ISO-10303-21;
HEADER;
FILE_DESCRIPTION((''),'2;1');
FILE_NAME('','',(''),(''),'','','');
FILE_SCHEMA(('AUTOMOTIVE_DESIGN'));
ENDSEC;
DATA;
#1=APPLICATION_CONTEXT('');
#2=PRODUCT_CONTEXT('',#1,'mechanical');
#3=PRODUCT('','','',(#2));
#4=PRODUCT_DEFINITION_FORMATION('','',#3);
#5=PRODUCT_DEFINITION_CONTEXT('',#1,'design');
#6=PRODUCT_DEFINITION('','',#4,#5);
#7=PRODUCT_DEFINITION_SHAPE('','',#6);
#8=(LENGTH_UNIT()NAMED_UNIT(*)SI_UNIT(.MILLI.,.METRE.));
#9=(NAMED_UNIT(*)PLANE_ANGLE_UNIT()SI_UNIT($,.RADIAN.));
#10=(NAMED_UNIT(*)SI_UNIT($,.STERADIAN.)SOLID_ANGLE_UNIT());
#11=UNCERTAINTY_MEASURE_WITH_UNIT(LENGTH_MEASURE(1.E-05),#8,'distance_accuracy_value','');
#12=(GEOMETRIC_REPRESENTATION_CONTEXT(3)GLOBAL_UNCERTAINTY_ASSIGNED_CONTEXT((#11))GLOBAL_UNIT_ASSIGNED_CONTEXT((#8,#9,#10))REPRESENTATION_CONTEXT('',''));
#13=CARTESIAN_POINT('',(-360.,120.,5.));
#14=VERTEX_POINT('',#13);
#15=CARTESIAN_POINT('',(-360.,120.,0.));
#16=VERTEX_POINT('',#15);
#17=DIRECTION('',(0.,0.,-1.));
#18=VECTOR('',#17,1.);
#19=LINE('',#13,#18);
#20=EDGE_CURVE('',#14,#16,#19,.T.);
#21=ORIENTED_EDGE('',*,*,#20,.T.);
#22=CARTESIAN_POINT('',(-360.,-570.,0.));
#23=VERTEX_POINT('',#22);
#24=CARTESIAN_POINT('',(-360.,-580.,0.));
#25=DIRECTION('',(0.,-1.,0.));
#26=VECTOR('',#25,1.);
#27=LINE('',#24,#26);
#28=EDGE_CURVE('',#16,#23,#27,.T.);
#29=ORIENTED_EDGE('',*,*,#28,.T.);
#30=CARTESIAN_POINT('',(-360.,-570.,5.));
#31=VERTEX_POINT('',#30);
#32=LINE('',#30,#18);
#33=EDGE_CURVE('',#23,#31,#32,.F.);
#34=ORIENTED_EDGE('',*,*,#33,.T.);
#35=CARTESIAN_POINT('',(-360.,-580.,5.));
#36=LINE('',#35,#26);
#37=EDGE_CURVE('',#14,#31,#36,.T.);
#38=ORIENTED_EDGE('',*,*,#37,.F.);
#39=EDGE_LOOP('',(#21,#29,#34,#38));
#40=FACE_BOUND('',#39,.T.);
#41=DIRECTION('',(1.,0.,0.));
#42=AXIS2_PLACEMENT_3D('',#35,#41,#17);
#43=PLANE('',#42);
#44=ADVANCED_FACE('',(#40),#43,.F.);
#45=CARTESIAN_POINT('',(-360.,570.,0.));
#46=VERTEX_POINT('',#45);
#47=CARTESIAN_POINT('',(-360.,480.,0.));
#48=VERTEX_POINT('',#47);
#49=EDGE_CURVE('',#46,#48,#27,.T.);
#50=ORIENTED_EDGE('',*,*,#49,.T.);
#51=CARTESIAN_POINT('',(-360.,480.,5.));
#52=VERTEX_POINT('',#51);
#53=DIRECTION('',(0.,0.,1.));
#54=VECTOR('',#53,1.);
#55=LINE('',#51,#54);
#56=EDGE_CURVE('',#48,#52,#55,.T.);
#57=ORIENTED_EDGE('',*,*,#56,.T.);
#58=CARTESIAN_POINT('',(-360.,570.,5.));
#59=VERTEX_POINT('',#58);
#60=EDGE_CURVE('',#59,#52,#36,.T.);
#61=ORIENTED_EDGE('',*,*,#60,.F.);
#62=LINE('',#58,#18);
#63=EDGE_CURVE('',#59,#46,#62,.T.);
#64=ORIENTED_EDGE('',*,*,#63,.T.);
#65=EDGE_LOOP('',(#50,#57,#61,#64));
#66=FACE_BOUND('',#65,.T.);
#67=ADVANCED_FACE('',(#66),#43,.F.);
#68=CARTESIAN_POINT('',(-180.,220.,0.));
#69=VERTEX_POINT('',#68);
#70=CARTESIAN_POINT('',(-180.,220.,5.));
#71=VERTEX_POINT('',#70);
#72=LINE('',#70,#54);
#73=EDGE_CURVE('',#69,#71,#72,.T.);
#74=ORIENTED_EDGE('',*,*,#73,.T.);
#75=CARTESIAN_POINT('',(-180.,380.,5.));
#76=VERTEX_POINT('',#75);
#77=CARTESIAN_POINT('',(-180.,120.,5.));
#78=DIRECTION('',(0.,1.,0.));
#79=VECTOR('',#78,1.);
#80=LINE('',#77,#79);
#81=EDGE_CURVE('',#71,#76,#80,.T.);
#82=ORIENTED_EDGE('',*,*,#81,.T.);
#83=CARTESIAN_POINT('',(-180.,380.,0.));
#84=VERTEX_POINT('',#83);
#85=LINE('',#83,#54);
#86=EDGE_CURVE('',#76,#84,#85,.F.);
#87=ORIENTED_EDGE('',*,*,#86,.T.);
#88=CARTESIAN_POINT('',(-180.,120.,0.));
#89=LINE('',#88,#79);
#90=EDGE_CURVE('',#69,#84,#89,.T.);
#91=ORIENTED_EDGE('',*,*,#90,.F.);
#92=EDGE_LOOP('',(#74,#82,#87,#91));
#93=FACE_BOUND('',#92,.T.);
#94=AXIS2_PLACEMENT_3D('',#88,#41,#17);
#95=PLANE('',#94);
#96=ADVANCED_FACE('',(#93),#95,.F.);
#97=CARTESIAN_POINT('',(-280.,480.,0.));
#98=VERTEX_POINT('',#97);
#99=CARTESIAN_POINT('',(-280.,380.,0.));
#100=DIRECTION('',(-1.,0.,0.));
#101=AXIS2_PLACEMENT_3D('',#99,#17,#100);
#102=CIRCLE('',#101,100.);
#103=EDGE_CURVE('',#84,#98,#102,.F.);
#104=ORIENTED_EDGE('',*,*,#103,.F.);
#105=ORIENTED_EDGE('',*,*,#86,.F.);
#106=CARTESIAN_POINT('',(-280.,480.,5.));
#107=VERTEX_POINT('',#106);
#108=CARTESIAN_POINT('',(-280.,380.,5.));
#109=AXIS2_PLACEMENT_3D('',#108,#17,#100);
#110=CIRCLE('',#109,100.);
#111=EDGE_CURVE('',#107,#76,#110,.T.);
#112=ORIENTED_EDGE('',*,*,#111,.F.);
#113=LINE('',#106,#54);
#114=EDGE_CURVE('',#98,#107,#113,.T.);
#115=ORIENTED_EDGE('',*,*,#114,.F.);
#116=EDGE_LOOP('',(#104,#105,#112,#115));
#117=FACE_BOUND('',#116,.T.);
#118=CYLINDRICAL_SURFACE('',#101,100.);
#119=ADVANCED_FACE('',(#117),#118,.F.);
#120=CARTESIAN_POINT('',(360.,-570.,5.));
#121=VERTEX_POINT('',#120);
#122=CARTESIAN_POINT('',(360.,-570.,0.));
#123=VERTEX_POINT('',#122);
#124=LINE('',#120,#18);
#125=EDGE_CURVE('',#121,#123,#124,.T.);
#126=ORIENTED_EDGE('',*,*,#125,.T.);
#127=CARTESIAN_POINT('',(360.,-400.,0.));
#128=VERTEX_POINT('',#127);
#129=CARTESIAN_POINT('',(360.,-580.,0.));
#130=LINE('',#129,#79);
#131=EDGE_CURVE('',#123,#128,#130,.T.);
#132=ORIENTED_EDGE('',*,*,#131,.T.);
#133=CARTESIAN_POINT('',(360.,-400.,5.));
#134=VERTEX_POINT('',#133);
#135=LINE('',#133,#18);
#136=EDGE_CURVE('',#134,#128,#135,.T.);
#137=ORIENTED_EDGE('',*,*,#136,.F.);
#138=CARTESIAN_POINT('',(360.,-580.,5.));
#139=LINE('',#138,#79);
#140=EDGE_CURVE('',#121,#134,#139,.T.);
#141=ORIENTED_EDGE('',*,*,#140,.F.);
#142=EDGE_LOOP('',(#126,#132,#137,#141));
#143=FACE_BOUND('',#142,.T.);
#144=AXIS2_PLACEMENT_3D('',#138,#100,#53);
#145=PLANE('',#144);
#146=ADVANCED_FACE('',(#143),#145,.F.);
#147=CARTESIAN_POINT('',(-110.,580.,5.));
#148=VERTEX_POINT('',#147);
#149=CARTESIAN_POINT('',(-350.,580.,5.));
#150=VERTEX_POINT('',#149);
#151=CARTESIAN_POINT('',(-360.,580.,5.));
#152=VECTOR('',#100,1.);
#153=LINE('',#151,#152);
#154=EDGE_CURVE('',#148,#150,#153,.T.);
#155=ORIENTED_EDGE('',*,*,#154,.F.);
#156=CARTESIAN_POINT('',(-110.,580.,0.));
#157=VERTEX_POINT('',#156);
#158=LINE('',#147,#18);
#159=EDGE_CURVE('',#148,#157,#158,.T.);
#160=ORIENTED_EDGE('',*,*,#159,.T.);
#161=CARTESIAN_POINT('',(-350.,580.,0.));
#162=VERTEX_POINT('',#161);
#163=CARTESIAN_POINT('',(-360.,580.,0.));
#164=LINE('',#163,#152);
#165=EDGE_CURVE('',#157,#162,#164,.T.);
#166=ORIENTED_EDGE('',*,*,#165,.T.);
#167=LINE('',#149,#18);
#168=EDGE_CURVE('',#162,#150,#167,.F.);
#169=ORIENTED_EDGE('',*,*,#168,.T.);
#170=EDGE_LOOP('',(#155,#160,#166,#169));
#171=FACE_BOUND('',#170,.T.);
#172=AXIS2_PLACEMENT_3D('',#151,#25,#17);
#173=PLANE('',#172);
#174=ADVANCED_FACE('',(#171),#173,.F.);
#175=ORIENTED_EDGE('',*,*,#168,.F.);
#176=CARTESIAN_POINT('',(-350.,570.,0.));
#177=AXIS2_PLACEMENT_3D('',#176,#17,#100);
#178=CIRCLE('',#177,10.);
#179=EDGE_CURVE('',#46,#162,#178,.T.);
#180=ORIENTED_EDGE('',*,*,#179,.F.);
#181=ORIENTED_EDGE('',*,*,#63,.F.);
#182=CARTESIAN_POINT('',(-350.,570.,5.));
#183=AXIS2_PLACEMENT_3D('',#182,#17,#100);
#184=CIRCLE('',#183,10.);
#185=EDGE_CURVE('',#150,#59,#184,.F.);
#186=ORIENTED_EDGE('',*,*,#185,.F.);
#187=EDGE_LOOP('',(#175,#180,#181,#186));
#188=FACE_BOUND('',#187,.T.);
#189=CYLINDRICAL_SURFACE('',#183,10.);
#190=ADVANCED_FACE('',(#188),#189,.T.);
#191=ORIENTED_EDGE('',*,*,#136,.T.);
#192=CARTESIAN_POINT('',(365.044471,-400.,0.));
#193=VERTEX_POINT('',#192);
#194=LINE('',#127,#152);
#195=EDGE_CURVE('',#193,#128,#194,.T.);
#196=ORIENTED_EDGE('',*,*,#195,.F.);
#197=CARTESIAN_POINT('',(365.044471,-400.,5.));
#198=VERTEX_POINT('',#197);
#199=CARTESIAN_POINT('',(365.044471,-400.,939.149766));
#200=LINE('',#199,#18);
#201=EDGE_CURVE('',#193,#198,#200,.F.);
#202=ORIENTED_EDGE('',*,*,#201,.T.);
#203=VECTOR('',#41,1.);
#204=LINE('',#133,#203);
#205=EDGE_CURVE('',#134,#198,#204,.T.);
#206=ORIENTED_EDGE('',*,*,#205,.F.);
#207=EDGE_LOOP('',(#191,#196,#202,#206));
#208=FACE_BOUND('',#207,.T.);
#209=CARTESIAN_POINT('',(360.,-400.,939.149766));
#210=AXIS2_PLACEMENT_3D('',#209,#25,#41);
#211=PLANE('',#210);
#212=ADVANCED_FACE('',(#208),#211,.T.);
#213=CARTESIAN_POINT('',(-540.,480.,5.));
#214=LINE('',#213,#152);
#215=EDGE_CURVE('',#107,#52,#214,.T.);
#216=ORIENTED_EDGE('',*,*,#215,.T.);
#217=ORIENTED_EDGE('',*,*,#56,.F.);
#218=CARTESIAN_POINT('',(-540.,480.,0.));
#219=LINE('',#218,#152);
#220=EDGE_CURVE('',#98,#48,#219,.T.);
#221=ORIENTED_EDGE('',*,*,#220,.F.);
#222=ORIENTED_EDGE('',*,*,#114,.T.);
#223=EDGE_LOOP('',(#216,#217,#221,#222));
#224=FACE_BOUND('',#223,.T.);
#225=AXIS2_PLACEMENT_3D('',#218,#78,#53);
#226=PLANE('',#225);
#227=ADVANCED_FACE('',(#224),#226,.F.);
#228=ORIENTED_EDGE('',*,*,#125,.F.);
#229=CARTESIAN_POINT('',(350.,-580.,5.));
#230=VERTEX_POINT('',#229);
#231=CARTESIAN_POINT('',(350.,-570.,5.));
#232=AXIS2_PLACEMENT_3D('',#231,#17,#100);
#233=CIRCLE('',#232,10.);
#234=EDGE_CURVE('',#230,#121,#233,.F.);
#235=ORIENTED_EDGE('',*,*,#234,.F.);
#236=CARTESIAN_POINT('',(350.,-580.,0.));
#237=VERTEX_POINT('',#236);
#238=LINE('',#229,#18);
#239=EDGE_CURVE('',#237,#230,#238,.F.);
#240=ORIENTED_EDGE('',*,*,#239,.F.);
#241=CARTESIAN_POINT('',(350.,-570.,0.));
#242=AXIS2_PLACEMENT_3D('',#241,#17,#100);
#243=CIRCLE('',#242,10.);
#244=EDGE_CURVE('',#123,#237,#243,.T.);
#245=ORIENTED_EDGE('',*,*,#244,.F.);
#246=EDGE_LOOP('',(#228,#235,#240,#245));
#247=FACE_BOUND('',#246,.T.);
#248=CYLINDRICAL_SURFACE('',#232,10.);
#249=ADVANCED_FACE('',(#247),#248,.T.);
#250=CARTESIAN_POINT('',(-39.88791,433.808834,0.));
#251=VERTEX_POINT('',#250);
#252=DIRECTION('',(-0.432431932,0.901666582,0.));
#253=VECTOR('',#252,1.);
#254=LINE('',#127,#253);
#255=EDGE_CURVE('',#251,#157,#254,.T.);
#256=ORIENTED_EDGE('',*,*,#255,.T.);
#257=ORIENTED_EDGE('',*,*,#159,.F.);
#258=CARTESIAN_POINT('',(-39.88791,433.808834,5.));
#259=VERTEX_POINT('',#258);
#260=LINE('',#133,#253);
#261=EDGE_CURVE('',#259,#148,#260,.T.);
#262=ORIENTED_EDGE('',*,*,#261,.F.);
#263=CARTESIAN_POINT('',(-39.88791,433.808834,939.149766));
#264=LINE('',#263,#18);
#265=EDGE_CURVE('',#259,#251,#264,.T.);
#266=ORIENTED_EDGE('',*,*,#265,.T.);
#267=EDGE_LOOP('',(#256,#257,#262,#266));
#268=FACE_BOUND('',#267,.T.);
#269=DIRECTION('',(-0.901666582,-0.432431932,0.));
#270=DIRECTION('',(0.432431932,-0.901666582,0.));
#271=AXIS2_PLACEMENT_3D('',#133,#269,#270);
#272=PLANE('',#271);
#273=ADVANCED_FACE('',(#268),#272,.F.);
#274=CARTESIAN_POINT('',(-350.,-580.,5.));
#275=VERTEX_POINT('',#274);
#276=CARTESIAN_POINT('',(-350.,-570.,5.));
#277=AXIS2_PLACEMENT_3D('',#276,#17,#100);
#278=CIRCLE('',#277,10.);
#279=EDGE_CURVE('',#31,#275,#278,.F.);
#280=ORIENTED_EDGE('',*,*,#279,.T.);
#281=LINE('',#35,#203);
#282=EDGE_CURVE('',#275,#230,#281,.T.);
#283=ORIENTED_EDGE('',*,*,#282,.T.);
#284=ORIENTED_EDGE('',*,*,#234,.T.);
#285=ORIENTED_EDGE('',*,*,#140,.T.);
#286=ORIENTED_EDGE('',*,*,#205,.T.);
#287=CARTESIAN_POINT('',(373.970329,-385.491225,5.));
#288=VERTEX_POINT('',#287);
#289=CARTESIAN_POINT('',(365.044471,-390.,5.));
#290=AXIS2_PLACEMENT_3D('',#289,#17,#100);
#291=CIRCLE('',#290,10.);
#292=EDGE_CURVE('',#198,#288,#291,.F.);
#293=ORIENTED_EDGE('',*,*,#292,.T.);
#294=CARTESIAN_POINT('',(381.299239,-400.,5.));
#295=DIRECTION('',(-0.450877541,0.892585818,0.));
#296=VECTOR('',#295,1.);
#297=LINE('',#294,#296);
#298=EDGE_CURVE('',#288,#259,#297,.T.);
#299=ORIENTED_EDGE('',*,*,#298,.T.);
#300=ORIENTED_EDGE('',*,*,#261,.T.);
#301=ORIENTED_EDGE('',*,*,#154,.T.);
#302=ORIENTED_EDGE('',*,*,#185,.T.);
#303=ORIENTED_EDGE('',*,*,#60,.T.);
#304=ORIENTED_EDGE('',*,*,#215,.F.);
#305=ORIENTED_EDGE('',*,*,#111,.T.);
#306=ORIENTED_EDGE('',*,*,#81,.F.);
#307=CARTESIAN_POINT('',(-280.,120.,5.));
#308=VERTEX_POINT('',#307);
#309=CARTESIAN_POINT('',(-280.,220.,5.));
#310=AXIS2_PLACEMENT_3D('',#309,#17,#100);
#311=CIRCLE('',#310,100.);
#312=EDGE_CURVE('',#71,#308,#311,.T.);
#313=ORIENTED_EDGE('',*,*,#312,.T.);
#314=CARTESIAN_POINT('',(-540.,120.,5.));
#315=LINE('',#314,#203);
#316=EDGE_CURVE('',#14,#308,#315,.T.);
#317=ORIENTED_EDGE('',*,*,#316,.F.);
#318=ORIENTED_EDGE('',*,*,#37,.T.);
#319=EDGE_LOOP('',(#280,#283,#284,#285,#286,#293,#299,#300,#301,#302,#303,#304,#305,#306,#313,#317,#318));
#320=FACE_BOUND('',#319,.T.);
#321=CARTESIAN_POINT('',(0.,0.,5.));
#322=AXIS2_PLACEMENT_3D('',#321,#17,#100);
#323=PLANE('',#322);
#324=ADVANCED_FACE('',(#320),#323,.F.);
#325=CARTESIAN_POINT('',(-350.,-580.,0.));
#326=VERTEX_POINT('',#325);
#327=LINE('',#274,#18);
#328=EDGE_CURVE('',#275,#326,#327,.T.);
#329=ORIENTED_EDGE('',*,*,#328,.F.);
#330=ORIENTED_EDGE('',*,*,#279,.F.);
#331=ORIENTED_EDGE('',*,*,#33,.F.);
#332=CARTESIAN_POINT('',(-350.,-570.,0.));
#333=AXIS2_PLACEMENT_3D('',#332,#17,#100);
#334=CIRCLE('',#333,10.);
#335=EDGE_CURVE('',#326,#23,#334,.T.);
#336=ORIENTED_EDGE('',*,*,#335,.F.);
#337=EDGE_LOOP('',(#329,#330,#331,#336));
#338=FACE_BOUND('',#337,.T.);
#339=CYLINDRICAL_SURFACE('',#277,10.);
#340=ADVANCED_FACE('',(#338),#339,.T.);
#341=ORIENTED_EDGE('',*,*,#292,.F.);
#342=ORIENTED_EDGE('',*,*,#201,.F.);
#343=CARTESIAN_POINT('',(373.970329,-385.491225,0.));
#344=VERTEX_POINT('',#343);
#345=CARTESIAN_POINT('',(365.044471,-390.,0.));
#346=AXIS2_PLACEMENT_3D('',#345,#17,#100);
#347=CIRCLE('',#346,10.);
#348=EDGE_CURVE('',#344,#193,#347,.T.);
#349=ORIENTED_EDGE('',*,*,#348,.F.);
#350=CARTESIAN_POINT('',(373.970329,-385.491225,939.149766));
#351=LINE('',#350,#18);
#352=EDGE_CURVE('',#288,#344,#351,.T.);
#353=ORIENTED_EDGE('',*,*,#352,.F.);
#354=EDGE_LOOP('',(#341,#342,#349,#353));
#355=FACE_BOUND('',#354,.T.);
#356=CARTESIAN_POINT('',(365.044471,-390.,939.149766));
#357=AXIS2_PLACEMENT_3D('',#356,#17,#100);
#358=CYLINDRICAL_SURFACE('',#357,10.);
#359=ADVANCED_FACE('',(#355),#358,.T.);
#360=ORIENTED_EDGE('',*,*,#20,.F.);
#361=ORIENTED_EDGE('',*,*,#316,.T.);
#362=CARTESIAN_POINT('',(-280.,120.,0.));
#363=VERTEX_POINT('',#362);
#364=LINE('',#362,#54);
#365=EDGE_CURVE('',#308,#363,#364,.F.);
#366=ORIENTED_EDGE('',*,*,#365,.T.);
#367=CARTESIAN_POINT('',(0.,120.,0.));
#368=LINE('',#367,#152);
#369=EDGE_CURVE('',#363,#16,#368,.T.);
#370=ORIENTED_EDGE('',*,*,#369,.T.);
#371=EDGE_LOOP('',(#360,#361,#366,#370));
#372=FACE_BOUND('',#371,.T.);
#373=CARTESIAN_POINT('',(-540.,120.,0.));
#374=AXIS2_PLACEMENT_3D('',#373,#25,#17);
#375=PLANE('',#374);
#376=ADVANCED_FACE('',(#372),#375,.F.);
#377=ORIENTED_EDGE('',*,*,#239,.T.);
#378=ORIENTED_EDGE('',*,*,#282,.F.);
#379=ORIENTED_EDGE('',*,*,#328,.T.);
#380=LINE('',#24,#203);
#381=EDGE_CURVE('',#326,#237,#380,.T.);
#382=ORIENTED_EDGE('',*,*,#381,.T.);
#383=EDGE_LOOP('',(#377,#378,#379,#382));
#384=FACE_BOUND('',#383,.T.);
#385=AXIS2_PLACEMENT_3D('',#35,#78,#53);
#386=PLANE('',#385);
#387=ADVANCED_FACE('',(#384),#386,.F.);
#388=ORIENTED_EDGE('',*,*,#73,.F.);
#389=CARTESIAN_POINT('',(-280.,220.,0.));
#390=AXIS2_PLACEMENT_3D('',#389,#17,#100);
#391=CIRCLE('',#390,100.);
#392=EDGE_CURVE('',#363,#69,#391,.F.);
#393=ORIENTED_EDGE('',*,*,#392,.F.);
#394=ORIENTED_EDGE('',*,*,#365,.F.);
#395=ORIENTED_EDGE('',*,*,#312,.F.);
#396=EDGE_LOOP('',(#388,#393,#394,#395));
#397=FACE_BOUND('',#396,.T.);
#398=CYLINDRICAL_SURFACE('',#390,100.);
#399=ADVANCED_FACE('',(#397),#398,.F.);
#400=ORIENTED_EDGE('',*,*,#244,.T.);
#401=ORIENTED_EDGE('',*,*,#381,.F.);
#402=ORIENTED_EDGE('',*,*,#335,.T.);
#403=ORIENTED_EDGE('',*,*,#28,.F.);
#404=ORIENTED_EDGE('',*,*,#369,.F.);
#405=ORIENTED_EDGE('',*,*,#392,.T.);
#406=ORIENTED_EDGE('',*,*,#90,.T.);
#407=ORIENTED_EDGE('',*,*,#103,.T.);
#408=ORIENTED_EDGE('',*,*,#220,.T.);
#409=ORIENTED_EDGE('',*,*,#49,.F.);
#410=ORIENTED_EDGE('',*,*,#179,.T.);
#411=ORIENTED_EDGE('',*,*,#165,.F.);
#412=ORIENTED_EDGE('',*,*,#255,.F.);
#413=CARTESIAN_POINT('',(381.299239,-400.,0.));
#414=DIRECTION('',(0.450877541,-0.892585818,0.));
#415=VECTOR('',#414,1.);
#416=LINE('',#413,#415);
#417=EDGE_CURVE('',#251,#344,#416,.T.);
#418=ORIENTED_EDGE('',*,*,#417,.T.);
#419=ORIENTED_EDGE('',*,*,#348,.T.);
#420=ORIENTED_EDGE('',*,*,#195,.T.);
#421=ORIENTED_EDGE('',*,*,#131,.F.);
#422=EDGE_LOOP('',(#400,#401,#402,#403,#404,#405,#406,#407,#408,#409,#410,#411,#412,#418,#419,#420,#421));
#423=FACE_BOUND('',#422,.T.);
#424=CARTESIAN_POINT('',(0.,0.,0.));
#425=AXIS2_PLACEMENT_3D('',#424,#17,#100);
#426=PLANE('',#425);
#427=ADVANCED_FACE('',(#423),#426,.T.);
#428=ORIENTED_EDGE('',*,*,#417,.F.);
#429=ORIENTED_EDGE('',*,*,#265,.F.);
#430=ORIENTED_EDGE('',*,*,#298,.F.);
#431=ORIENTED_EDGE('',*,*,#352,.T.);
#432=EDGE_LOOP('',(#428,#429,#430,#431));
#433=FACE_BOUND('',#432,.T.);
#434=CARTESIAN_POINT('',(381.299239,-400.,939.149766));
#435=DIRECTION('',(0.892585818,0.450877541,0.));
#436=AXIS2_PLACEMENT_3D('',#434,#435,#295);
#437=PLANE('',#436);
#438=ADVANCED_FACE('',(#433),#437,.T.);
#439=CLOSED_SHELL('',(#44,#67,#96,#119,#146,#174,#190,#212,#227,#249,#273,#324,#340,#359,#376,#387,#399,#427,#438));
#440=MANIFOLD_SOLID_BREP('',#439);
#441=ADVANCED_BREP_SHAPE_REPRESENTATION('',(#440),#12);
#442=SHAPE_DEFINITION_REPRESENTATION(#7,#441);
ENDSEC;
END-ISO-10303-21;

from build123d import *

# Parameters (mm, degrees)
SKETCH1_W           = 720
SKETCH1_H           = 1160
BOSS_EXTRUDE1_DEPTH = 5
FILLET1_R           = 10
CUT_EXTRUDE1_DEPTH  = 683.6602376
SKETCH3_W           = 360
SKETCH3_H           = 360
CUT_EXTRUDE2_DEPTH  = 683.6602376
FILLET2_R           = 100
BOSS_EXTRUDE2_DEPTH = 5
FILLET3_R           = 10


with BuildPart() as part:
    # Sketch1 → Boss-Extrude1 (new body)
    with BuildSketch(Plane.XY):
        Rectangle(SKETCH1_W, SKETCH1_H)
    extrude(amount=BOSS_EXTRUDE1_DEPTH)

    # Fillet1
    fillet1_edges = [part.edges().sort_by_distance(p)[0] for p in [
        (360, -580, 2.5),
        (-360, -580, 2.5),
        (-360, 580, 2.5),
        (360, 580, 2.5),
    ]]
    fillet(fillet1_edges, radius=FILLET1_R)

    # Sketch2 → Cut-Extrude1 (cut, through all)
    with BuildSketch(Plane(origin=(0, 0, 0), x_dir=(-1, 0, 0), z_dir=(0, 0, -1))):
        Polygon((-360, -400), (110, 580), (-360, 580), align=None)
    extrude(amount=-CUT_EXTRUDE1_DEPTH, mode=Mode.SUBTRACT)

    # Sketch3 → Cut-Extrude2 (cut, through all)
    with BuildSketch(Plane.XY.offset(5)):
        with Locations((-360, 300)):
            Rectangle(SKETCH3_W, SKETCH3_H)
    extrude(amount=-CUT_EXTRUDE2_DEPTH, mode=Mode.SUBTRACT)

    # Fillet2
    fillet2_edges = [part.edges().sort_by_distance(p)[0] for p in [
        (-180, 120, 2.5),
        (-180, 480, 2.5),
    ]]
    fillet(fillet2_edges, radius=FILLET2_R)

    # Sketch4 → Boss-Extrude2 (add)
    with BuildSketch(Plane(origin=(0, 0, 0), x_dir=(-1, 0, 0), z_dir=(0, 0, -1))):
        Polygon((-360, -400), (-381.299239221, -400), (39.887910056, 433.808833734), align=None)
    extrude(amount=-BOSS_EXTRUDE2_DEPTH)

    # Fillet3
    fillet3_edges = [part.edges().sort_by_distance(p)[0] for p in [
        (381.299239221, -400, 2.5),
    ]]
    fillet(fillet3_edges, radius=FILLET3_R)


solid = part.part
